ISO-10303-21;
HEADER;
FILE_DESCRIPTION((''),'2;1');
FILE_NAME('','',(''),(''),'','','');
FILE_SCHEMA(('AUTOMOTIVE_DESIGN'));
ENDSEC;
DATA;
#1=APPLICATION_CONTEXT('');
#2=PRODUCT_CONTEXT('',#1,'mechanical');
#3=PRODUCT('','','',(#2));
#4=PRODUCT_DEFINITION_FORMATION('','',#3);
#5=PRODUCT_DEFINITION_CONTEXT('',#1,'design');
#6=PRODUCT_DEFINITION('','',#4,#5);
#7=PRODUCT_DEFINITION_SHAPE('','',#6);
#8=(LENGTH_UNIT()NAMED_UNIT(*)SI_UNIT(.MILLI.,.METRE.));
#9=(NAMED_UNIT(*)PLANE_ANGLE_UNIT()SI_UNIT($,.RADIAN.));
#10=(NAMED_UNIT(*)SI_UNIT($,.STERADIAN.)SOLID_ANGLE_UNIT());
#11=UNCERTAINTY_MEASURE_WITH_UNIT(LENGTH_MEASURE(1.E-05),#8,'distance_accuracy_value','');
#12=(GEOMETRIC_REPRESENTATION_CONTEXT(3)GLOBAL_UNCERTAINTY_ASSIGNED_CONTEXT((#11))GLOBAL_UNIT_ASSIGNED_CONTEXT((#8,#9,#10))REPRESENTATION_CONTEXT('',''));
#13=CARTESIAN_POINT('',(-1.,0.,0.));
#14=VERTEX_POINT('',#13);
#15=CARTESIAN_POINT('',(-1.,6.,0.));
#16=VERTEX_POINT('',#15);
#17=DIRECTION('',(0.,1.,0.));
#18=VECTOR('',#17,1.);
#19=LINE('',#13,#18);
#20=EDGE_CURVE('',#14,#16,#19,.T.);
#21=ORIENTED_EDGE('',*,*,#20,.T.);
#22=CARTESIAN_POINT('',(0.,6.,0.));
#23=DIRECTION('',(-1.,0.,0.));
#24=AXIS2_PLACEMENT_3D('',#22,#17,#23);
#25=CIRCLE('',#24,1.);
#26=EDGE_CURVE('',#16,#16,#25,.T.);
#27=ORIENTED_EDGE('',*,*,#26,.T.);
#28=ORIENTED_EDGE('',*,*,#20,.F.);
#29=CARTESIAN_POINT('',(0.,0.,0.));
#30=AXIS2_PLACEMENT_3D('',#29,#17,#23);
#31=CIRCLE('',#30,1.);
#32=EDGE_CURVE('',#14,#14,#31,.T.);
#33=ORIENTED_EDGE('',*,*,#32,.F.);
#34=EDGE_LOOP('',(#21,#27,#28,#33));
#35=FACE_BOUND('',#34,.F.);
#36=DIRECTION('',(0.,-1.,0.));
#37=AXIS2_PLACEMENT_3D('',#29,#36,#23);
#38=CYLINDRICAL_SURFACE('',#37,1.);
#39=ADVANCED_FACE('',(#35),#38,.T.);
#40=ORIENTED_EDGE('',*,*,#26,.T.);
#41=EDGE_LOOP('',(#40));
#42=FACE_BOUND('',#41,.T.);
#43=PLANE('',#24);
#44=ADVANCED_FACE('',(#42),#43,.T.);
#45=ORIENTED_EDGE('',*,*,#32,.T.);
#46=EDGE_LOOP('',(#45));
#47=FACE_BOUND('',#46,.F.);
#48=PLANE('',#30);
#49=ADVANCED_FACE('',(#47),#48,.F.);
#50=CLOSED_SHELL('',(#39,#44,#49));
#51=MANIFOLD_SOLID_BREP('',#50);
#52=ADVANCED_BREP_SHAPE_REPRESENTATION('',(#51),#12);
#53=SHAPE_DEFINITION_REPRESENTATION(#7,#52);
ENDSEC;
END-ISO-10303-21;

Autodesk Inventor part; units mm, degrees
ref_plane "YZ Plane" through (0, 0, 0) normal (1, 0, 0) x (0, 1, 0)
ref_plane "XZ Plane" through (0, 0, 0) normal (0, 1, 0) x (-1, 0, 0)
ref_plane "XY Plane" through (0, 0, 0) normal (0, 0, 1) x (1, 0, 0)
sketch "スケッチ1" plane through (0, 0, 0) normal (0, 1, 0) x (-1, 0, 0)
  circle A0 centre (0, 0) radius 1
  dimension "d0" = 2
extrude "押し出し1" add sketch "スケッチ1" along normal blind 6
properties part number "Shaft_2x6"
